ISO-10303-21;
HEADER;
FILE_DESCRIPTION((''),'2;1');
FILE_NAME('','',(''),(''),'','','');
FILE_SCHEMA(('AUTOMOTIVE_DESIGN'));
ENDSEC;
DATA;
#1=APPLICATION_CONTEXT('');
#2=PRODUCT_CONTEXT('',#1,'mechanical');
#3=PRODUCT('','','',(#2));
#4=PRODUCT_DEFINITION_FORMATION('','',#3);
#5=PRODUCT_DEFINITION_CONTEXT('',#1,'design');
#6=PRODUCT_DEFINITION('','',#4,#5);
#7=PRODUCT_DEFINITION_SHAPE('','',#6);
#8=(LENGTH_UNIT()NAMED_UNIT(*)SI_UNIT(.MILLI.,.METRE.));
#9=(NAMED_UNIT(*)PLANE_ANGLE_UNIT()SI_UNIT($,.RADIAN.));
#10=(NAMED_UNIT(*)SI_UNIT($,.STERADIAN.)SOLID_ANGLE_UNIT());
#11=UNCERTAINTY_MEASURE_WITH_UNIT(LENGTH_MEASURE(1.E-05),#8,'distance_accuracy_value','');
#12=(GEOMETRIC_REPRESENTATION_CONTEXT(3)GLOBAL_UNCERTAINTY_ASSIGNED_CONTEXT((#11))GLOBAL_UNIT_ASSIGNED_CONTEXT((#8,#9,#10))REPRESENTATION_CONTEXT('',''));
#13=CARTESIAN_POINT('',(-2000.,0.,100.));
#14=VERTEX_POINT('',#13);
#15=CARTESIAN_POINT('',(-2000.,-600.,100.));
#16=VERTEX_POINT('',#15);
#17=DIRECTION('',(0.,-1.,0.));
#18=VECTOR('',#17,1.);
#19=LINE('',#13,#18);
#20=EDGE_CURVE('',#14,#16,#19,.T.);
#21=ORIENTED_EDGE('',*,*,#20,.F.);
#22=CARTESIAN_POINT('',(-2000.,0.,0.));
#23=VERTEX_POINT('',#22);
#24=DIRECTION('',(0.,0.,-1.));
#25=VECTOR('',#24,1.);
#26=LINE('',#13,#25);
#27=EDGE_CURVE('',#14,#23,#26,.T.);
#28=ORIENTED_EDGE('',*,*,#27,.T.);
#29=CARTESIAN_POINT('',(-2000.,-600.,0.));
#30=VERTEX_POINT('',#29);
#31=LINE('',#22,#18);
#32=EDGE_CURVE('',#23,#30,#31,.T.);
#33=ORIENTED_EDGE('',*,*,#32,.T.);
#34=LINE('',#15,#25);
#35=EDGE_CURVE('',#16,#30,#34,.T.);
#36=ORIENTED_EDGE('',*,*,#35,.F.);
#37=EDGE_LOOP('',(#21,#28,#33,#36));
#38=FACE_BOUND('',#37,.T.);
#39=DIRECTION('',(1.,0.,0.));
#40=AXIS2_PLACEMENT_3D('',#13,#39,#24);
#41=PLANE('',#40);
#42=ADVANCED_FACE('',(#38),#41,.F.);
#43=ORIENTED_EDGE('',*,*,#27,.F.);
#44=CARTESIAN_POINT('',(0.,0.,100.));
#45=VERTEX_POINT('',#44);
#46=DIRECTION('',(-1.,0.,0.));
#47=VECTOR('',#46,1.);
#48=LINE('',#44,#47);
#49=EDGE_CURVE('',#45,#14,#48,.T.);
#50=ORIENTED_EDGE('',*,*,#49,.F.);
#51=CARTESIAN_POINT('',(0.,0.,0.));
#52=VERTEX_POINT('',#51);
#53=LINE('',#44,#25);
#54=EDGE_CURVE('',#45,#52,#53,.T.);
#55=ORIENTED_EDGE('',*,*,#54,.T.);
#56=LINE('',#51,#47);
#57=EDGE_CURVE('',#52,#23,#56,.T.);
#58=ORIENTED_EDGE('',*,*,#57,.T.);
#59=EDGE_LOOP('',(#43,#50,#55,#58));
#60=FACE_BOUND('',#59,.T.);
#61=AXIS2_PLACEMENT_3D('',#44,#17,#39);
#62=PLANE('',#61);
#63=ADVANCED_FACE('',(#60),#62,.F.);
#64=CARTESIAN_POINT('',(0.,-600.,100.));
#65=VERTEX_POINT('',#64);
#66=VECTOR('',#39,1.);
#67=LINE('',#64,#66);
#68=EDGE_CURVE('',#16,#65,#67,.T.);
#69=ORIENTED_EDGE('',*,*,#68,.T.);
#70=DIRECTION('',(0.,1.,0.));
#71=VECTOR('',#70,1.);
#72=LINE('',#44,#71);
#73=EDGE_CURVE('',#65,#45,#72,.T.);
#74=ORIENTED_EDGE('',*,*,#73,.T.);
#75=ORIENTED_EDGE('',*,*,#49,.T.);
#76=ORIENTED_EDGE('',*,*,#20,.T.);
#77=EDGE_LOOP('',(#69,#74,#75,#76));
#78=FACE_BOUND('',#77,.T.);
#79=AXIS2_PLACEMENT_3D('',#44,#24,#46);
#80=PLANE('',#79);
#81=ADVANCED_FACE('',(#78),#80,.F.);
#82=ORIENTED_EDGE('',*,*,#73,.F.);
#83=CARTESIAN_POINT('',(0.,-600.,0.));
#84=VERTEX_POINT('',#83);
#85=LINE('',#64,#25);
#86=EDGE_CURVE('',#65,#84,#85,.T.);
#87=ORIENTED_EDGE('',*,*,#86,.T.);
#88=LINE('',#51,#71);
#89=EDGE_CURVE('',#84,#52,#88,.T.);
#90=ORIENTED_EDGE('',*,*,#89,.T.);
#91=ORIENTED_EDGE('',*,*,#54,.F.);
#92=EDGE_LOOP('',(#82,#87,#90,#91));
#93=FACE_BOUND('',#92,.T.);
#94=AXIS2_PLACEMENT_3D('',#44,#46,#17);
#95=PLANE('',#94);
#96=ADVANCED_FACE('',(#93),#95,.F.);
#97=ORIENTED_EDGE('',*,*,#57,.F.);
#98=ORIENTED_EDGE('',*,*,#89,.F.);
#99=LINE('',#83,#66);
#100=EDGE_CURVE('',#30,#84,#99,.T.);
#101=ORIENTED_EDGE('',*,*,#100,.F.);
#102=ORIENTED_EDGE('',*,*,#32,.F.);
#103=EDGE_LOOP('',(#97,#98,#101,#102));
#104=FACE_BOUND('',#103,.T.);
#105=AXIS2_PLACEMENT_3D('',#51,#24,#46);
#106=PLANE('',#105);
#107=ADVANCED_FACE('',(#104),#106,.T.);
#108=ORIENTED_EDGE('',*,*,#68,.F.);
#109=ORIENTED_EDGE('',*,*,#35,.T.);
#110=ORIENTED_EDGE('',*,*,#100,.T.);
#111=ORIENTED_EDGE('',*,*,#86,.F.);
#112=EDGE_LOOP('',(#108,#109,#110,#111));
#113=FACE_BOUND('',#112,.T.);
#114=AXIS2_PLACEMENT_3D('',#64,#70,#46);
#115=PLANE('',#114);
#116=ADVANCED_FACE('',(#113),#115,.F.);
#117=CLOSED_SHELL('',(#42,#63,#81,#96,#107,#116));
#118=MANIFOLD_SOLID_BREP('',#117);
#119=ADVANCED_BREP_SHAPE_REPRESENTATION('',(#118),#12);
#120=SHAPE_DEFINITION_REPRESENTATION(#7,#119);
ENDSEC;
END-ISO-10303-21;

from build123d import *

# Parameters (mm, degrees)
SKETCH1_W           = 2000
SKETCH1_H           = 600
BOSS_EXTRUDE1_DEPTH = 100


with BuildPart() as part:
    # Sketch1 → Boss-Extrude1 (new body)
    with BuildSketch(Plane.XY):
        with Locations((-1000, -300)):
            Rectangle(SKETCH1_W, SKETCH1_H)
    extrude(amount=BOSS_EXTRUDE1_DEPTH)


solid = part.part
